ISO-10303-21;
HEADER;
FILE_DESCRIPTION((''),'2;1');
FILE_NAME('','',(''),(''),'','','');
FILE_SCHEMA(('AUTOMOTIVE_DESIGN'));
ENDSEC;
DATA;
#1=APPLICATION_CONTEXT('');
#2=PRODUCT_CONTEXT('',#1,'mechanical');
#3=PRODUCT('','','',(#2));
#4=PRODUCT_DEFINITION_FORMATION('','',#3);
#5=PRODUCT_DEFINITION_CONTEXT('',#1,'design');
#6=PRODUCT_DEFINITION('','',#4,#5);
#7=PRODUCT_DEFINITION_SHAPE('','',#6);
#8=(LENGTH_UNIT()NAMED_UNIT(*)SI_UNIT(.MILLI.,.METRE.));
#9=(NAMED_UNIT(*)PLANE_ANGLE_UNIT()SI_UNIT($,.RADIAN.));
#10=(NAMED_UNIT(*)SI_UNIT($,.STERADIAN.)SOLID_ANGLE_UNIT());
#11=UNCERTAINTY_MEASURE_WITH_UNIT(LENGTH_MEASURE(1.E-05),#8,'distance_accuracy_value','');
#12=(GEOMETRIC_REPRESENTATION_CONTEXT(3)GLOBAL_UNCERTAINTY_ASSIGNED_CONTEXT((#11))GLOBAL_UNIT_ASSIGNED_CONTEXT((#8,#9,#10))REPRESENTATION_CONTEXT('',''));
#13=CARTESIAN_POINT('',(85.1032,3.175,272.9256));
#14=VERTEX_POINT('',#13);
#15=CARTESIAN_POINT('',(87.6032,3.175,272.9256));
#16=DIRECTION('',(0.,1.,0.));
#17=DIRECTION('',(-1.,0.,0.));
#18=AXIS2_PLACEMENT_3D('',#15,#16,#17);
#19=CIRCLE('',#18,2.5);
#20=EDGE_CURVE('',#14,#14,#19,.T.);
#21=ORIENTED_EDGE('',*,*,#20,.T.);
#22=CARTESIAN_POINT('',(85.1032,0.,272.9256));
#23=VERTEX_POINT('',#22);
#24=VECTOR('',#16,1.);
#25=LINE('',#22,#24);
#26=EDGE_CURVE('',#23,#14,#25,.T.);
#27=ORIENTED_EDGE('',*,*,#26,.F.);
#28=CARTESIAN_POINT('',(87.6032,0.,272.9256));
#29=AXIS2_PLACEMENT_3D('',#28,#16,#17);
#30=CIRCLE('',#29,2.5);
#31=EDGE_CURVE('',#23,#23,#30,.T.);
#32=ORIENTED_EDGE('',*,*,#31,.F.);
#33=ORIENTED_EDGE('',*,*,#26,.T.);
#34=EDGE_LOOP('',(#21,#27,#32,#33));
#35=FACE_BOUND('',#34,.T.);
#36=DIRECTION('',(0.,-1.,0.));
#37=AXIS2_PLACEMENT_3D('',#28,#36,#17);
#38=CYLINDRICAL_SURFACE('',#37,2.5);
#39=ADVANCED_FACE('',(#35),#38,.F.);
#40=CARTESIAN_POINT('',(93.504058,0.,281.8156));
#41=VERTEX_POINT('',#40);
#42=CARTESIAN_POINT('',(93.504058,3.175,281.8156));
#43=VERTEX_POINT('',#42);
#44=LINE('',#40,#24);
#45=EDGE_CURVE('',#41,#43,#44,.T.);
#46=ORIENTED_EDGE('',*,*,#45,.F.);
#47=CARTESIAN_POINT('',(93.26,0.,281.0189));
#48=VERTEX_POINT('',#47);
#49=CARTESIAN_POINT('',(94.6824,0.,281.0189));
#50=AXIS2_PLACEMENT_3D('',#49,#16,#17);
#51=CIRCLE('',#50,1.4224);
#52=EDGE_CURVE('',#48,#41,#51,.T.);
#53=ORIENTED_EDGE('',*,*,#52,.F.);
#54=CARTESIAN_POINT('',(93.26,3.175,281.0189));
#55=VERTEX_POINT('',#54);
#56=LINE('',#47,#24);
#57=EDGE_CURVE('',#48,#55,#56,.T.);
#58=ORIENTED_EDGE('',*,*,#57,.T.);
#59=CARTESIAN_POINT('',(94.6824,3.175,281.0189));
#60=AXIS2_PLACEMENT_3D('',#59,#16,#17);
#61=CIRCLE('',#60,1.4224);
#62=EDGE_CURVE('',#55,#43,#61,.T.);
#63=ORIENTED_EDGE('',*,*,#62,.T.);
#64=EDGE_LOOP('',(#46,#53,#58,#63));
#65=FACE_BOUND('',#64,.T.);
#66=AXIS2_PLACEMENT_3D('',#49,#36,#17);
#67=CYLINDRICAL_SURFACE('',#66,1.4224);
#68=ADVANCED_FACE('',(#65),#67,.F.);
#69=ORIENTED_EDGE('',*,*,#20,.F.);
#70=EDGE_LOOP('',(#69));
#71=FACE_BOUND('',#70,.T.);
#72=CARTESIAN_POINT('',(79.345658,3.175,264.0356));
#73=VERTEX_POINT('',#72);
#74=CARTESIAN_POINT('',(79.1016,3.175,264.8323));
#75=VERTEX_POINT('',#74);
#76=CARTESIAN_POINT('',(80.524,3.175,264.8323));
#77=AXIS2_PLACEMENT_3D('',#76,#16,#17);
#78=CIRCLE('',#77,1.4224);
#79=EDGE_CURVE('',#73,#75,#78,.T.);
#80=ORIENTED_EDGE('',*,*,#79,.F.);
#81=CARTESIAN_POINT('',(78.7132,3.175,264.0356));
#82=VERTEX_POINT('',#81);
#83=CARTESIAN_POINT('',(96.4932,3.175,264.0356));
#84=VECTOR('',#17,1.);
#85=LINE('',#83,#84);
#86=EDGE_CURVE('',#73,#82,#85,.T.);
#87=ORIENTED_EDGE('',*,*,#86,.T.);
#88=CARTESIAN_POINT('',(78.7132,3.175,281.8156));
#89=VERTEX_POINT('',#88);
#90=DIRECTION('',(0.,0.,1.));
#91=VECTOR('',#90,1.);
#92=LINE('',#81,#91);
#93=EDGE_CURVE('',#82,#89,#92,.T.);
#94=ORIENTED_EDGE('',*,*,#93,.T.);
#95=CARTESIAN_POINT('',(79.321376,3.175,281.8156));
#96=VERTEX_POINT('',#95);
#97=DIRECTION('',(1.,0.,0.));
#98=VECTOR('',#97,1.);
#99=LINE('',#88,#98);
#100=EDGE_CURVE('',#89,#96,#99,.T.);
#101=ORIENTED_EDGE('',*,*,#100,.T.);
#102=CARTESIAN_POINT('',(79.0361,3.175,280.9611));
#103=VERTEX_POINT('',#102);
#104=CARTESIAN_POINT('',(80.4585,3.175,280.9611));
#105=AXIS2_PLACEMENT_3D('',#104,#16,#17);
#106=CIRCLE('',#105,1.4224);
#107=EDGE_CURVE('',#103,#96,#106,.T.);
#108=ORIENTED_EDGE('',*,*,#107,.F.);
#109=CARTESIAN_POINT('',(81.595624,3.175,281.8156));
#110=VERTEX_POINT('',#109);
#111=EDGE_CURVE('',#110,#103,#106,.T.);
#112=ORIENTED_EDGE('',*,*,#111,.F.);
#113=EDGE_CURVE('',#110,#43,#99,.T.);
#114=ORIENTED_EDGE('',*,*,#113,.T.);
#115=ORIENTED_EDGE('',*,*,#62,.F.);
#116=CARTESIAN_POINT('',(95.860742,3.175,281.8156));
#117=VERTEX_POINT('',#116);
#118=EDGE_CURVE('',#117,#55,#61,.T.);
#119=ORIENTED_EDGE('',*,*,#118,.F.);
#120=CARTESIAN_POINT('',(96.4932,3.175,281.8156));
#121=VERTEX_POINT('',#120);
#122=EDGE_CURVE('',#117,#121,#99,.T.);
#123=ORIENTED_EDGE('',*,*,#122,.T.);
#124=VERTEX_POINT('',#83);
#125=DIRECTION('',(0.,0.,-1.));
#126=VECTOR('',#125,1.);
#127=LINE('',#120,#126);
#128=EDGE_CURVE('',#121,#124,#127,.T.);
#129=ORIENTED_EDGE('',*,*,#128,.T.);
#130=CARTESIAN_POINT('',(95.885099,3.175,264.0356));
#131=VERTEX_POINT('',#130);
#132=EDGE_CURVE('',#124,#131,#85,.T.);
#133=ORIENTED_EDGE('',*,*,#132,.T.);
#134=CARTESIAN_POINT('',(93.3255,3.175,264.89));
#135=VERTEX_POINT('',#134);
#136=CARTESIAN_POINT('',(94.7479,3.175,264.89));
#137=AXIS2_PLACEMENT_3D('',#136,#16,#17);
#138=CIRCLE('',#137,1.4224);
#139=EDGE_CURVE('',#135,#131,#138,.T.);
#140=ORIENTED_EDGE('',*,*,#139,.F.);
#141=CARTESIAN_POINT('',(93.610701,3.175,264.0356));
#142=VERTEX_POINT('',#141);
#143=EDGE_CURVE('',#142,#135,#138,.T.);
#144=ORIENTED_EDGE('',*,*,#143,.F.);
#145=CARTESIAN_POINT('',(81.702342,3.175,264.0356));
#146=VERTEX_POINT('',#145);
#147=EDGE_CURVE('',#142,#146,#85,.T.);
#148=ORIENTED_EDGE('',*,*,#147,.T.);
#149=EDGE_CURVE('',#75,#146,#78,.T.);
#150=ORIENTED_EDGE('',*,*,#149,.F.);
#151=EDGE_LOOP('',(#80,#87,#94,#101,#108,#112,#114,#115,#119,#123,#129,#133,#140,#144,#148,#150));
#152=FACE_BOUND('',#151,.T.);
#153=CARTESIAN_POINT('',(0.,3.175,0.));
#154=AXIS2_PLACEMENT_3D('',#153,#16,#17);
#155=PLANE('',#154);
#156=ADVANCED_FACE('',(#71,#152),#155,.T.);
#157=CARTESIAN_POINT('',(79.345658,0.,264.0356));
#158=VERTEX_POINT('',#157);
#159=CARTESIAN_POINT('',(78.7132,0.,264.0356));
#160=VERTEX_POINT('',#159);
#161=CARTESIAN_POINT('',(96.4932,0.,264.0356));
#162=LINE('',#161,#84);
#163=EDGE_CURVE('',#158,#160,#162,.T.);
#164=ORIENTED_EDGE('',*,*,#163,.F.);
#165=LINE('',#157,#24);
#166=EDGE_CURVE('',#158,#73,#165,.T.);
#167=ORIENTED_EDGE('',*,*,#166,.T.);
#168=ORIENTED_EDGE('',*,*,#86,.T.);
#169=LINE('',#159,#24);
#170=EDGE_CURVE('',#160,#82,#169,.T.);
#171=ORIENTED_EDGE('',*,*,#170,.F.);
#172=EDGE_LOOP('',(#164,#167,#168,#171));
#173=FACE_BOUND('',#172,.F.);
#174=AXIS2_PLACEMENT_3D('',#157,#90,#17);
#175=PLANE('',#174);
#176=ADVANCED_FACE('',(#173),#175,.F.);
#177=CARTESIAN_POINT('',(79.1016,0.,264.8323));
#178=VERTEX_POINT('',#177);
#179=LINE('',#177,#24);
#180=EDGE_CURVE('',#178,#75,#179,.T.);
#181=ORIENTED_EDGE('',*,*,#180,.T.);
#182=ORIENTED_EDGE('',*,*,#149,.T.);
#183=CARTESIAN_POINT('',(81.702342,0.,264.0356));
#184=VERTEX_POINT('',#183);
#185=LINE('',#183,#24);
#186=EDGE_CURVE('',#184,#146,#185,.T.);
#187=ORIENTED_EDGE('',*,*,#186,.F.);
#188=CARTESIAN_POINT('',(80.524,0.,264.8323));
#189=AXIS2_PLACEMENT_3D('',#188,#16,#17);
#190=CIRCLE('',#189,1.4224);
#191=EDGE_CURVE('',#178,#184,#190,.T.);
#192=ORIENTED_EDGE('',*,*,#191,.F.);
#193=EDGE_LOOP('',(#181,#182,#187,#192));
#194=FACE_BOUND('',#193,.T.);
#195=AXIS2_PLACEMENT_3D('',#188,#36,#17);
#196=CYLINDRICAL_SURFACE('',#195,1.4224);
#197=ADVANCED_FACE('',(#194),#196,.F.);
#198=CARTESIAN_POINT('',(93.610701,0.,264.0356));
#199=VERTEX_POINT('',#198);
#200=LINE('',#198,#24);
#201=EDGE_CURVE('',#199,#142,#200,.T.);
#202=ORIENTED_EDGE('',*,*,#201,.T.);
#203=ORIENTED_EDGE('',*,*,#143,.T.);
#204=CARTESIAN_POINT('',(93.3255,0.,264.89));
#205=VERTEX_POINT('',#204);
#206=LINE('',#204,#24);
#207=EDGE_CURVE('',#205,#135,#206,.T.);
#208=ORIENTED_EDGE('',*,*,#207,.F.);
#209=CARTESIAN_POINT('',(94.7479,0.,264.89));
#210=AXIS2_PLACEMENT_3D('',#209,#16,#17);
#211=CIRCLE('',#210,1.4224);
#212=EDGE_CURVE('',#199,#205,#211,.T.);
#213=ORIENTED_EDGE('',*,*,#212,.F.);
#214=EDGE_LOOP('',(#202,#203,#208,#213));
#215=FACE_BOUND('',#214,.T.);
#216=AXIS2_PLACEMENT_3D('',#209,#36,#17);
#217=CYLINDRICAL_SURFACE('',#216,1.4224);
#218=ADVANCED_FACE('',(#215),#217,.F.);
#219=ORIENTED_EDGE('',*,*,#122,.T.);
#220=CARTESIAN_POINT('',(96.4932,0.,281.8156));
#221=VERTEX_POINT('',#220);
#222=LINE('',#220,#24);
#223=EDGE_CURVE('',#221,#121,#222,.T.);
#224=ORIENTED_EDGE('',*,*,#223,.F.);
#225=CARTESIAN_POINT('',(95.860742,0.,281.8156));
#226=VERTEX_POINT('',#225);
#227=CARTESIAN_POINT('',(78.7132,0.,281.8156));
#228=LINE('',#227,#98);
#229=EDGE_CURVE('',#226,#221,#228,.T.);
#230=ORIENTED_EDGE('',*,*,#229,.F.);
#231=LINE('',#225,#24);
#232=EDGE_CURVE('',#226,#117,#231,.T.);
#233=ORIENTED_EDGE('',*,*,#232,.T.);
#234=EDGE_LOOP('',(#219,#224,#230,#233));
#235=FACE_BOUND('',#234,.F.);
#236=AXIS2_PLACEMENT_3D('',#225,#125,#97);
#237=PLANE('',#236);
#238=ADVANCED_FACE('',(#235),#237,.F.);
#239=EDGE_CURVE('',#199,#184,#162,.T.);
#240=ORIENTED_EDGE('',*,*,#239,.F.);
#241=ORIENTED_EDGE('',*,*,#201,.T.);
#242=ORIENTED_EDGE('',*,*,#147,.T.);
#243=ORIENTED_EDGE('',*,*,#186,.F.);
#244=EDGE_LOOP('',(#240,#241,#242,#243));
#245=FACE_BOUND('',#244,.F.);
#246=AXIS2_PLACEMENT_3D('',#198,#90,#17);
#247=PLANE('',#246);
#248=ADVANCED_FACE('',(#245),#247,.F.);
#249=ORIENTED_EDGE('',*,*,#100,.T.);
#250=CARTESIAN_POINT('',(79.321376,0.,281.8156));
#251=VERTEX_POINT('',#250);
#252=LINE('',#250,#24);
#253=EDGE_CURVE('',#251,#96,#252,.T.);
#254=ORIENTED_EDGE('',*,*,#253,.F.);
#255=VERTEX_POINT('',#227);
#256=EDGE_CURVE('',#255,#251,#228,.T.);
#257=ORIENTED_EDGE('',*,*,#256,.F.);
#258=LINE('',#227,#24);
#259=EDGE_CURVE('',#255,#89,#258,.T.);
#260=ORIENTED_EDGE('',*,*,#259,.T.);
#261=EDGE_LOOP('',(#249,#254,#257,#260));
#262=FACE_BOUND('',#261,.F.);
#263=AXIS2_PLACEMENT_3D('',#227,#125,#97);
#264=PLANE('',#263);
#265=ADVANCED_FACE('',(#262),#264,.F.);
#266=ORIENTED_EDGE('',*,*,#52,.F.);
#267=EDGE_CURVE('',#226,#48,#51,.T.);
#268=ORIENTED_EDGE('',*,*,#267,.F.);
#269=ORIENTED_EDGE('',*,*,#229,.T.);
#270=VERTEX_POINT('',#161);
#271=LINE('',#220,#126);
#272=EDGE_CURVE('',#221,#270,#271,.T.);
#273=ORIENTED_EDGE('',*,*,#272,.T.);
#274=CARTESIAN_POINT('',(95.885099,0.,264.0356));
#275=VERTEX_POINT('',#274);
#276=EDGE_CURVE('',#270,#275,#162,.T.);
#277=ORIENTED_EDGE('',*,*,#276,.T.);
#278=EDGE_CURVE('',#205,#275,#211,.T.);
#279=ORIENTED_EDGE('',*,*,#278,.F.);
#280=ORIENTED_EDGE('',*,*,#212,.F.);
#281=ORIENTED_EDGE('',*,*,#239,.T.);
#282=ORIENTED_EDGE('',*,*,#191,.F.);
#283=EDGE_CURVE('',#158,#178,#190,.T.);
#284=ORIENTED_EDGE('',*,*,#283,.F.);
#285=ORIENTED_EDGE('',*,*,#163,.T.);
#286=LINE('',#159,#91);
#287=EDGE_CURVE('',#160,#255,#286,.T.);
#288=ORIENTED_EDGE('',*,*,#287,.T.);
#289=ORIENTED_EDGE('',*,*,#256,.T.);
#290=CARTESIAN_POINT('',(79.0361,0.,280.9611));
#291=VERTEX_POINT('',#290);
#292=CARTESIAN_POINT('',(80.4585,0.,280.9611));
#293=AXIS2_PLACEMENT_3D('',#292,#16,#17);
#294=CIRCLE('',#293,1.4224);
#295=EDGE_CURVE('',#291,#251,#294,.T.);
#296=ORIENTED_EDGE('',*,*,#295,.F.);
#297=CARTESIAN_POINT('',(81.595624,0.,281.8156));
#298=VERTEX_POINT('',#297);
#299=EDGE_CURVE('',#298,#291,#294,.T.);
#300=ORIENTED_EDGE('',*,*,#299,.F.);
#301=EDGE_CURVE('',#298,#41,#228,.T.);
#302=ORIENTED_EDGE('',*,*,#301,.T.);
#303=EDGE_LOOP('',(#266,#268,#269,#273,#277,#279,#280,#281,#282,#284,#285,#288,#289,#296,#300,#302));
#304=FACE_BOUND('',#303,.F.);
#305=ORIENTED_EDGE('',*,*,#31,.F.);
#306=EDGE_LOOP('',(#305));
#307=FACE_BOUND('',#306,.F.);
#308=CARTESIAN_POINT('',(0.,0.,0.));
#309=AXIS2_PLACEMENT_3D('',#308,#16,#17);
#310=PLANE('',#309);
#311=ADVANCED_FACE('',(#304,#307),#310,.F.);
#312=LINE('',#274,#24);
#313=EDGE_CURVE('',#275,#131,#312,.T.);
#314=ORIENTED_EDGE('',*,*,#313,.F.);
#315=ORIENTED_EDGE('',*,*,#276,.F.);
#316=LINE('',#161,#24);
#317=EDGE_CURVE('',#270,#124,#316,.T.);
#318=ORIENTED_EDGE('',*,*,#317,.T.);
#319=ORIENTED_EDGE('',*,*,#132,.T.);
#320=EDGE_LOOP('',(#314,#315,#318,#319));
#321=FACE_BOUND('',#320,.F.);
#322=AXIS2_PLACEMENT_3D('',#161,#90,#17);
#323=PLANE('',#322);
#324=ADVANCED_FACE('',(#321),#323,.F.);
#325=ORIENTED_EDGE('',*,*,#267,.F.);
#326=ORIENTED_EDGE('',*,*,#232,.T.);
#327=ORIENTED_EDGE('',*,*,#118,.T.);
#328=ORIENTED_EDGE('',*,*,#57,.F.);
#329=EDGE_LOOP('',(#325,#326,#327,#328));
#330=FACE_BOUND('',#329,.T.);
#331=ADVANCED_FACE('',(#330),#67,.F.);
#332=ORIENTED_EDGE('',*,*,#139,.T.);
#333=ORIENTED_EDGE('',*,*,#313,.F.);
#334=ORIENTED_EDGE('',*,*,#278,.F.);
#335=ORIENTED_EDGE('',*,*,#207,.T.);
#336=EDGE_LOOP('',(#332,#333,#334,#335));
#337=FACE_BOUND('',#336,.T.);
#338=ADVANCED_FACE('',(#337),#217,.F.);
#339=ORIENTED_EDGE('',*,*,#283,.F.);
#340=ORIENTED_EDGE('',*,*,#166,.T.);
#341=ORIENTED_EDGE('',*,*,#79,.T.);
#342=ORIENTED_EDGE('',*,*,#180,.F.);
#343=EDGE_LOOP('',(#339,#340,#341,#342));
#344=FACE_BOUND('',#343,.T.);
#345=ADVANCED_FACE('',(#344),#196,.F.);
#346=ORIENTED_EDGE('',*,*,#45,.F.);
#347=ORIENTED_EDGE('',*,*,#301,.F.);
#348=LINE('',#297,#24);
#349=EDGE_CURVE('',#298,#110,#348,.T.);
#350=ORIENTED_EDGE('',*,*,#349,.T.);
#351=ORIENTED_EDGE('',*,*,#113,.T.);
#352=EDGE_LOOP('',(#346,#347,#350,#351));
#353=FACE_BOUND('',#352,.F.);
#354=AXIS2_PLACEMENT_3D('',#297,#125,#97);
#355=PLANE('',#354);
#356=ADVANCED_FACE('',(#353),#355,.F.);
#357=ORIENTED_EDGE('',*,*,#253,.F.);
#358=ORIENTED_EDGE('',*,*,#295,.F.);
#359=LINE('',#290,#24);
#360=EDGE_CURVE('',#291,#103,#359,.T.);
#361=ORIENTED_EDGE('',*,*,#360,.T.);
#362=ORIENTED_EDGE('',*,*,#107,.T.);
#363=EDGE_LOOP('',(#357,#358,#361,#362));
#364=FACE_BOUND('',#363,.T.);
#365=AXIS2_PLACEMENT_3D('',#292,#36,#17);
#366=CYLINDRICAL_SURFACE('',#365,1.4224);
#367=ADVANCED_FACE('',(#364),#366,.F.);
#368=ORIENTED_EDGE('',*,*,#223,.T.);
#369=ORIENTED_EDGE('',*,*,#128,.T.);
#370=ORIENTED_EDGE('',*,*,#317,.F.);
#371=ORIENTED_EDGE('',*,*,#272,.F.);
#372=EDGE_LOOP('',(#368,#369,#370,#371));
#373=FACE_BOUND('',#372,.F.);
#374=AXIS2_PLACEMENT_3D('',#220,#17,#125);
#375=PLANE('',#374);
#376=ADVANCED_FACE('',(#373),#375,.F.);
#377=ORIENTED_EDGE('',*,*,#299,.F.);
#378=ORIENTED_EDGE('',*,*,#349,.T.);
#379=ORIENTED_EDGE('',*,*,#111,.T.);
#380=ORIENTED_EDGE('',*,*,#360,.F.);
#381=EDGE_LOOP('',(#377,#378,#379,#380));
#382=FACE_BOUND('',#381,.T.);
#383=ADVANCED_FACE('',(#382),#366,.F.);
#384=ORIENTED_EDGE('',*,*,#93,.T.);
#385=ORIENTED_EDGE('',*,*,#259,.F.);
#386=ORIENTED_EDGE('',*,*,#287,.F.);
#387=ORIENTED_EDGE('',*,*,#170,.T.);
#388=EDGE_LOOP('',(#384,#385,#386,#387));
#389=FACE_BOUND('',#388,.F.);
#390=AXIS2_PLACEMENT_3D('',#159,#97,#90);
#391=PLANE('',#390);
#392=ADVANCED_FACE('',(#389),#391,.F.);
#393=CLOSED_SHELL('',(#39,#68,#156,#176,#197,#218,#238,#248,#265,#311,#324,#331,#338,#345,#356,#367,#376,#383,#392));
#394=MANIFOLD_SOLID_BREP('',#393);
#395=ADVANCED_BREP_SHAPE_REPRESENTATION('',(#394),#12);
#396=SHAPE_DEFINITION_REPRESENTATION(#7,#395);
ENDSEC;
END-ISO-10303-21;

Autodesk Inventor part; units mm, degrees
ref_plane "YZ Plane" through (0, 0, 0) normal (1, 0, 0) x (0, 1, 0)
ref_plane "XZ Plane" through (0, 0, 0) normal (0, 1, 0) x (-1, 0, 0)
ref_plane "XY Plane" through (0, 0, 0) normal (0, 0, 1) x (1, 0, 0)
sketch "Sketch1" plane through (0, 0, 0) normal (0, 1, 0) x (-1, 0, 0)
  circle A0 centre (-94.6824, 281.0189) radius 1.4224
  circle A1 centre (-94.7479, 264.89) radius 1.4224
  circle A2 centre (-80.524, 264.8323) radius 1.4224
  circle A3 centre (-80.4585, 280.9611) radius 1.4224
  line L0 (-96.4532, 263.3256) -> (-77.4032, 263.3256) construction
  line L1 (-96.4532, 282.4506) -> (-96.4532, 263.4006) construction
  line L2 (-78.7132, 281.8156) -> (-96.4932, 281.8156)
  line L3 (-96.4932, 281.8156) -> (-96.4932, 264.0356)
  line L4 (-96.4932, 264.0356) -> (-78.7132, 264.0356)
  line L5 (-78.7132, 264.0356) -> (-78.7132, 281.8156)
  line L6 (-78.7132, 281.8156) -> (-96.4932, 264.0356) construction
  line L7 (-96.4932, 281.8156) -> (-78.7132, 264.0356) construction
  circle A4 centre (-87.6032, 272.9256) radius 2.5
  point P0 (0, 0)
extrude "Extrusion1" add sketch "Sketch1" along normal blind 3.175 contours A0 L2 A3 L5 L4 A2 A1 L3
